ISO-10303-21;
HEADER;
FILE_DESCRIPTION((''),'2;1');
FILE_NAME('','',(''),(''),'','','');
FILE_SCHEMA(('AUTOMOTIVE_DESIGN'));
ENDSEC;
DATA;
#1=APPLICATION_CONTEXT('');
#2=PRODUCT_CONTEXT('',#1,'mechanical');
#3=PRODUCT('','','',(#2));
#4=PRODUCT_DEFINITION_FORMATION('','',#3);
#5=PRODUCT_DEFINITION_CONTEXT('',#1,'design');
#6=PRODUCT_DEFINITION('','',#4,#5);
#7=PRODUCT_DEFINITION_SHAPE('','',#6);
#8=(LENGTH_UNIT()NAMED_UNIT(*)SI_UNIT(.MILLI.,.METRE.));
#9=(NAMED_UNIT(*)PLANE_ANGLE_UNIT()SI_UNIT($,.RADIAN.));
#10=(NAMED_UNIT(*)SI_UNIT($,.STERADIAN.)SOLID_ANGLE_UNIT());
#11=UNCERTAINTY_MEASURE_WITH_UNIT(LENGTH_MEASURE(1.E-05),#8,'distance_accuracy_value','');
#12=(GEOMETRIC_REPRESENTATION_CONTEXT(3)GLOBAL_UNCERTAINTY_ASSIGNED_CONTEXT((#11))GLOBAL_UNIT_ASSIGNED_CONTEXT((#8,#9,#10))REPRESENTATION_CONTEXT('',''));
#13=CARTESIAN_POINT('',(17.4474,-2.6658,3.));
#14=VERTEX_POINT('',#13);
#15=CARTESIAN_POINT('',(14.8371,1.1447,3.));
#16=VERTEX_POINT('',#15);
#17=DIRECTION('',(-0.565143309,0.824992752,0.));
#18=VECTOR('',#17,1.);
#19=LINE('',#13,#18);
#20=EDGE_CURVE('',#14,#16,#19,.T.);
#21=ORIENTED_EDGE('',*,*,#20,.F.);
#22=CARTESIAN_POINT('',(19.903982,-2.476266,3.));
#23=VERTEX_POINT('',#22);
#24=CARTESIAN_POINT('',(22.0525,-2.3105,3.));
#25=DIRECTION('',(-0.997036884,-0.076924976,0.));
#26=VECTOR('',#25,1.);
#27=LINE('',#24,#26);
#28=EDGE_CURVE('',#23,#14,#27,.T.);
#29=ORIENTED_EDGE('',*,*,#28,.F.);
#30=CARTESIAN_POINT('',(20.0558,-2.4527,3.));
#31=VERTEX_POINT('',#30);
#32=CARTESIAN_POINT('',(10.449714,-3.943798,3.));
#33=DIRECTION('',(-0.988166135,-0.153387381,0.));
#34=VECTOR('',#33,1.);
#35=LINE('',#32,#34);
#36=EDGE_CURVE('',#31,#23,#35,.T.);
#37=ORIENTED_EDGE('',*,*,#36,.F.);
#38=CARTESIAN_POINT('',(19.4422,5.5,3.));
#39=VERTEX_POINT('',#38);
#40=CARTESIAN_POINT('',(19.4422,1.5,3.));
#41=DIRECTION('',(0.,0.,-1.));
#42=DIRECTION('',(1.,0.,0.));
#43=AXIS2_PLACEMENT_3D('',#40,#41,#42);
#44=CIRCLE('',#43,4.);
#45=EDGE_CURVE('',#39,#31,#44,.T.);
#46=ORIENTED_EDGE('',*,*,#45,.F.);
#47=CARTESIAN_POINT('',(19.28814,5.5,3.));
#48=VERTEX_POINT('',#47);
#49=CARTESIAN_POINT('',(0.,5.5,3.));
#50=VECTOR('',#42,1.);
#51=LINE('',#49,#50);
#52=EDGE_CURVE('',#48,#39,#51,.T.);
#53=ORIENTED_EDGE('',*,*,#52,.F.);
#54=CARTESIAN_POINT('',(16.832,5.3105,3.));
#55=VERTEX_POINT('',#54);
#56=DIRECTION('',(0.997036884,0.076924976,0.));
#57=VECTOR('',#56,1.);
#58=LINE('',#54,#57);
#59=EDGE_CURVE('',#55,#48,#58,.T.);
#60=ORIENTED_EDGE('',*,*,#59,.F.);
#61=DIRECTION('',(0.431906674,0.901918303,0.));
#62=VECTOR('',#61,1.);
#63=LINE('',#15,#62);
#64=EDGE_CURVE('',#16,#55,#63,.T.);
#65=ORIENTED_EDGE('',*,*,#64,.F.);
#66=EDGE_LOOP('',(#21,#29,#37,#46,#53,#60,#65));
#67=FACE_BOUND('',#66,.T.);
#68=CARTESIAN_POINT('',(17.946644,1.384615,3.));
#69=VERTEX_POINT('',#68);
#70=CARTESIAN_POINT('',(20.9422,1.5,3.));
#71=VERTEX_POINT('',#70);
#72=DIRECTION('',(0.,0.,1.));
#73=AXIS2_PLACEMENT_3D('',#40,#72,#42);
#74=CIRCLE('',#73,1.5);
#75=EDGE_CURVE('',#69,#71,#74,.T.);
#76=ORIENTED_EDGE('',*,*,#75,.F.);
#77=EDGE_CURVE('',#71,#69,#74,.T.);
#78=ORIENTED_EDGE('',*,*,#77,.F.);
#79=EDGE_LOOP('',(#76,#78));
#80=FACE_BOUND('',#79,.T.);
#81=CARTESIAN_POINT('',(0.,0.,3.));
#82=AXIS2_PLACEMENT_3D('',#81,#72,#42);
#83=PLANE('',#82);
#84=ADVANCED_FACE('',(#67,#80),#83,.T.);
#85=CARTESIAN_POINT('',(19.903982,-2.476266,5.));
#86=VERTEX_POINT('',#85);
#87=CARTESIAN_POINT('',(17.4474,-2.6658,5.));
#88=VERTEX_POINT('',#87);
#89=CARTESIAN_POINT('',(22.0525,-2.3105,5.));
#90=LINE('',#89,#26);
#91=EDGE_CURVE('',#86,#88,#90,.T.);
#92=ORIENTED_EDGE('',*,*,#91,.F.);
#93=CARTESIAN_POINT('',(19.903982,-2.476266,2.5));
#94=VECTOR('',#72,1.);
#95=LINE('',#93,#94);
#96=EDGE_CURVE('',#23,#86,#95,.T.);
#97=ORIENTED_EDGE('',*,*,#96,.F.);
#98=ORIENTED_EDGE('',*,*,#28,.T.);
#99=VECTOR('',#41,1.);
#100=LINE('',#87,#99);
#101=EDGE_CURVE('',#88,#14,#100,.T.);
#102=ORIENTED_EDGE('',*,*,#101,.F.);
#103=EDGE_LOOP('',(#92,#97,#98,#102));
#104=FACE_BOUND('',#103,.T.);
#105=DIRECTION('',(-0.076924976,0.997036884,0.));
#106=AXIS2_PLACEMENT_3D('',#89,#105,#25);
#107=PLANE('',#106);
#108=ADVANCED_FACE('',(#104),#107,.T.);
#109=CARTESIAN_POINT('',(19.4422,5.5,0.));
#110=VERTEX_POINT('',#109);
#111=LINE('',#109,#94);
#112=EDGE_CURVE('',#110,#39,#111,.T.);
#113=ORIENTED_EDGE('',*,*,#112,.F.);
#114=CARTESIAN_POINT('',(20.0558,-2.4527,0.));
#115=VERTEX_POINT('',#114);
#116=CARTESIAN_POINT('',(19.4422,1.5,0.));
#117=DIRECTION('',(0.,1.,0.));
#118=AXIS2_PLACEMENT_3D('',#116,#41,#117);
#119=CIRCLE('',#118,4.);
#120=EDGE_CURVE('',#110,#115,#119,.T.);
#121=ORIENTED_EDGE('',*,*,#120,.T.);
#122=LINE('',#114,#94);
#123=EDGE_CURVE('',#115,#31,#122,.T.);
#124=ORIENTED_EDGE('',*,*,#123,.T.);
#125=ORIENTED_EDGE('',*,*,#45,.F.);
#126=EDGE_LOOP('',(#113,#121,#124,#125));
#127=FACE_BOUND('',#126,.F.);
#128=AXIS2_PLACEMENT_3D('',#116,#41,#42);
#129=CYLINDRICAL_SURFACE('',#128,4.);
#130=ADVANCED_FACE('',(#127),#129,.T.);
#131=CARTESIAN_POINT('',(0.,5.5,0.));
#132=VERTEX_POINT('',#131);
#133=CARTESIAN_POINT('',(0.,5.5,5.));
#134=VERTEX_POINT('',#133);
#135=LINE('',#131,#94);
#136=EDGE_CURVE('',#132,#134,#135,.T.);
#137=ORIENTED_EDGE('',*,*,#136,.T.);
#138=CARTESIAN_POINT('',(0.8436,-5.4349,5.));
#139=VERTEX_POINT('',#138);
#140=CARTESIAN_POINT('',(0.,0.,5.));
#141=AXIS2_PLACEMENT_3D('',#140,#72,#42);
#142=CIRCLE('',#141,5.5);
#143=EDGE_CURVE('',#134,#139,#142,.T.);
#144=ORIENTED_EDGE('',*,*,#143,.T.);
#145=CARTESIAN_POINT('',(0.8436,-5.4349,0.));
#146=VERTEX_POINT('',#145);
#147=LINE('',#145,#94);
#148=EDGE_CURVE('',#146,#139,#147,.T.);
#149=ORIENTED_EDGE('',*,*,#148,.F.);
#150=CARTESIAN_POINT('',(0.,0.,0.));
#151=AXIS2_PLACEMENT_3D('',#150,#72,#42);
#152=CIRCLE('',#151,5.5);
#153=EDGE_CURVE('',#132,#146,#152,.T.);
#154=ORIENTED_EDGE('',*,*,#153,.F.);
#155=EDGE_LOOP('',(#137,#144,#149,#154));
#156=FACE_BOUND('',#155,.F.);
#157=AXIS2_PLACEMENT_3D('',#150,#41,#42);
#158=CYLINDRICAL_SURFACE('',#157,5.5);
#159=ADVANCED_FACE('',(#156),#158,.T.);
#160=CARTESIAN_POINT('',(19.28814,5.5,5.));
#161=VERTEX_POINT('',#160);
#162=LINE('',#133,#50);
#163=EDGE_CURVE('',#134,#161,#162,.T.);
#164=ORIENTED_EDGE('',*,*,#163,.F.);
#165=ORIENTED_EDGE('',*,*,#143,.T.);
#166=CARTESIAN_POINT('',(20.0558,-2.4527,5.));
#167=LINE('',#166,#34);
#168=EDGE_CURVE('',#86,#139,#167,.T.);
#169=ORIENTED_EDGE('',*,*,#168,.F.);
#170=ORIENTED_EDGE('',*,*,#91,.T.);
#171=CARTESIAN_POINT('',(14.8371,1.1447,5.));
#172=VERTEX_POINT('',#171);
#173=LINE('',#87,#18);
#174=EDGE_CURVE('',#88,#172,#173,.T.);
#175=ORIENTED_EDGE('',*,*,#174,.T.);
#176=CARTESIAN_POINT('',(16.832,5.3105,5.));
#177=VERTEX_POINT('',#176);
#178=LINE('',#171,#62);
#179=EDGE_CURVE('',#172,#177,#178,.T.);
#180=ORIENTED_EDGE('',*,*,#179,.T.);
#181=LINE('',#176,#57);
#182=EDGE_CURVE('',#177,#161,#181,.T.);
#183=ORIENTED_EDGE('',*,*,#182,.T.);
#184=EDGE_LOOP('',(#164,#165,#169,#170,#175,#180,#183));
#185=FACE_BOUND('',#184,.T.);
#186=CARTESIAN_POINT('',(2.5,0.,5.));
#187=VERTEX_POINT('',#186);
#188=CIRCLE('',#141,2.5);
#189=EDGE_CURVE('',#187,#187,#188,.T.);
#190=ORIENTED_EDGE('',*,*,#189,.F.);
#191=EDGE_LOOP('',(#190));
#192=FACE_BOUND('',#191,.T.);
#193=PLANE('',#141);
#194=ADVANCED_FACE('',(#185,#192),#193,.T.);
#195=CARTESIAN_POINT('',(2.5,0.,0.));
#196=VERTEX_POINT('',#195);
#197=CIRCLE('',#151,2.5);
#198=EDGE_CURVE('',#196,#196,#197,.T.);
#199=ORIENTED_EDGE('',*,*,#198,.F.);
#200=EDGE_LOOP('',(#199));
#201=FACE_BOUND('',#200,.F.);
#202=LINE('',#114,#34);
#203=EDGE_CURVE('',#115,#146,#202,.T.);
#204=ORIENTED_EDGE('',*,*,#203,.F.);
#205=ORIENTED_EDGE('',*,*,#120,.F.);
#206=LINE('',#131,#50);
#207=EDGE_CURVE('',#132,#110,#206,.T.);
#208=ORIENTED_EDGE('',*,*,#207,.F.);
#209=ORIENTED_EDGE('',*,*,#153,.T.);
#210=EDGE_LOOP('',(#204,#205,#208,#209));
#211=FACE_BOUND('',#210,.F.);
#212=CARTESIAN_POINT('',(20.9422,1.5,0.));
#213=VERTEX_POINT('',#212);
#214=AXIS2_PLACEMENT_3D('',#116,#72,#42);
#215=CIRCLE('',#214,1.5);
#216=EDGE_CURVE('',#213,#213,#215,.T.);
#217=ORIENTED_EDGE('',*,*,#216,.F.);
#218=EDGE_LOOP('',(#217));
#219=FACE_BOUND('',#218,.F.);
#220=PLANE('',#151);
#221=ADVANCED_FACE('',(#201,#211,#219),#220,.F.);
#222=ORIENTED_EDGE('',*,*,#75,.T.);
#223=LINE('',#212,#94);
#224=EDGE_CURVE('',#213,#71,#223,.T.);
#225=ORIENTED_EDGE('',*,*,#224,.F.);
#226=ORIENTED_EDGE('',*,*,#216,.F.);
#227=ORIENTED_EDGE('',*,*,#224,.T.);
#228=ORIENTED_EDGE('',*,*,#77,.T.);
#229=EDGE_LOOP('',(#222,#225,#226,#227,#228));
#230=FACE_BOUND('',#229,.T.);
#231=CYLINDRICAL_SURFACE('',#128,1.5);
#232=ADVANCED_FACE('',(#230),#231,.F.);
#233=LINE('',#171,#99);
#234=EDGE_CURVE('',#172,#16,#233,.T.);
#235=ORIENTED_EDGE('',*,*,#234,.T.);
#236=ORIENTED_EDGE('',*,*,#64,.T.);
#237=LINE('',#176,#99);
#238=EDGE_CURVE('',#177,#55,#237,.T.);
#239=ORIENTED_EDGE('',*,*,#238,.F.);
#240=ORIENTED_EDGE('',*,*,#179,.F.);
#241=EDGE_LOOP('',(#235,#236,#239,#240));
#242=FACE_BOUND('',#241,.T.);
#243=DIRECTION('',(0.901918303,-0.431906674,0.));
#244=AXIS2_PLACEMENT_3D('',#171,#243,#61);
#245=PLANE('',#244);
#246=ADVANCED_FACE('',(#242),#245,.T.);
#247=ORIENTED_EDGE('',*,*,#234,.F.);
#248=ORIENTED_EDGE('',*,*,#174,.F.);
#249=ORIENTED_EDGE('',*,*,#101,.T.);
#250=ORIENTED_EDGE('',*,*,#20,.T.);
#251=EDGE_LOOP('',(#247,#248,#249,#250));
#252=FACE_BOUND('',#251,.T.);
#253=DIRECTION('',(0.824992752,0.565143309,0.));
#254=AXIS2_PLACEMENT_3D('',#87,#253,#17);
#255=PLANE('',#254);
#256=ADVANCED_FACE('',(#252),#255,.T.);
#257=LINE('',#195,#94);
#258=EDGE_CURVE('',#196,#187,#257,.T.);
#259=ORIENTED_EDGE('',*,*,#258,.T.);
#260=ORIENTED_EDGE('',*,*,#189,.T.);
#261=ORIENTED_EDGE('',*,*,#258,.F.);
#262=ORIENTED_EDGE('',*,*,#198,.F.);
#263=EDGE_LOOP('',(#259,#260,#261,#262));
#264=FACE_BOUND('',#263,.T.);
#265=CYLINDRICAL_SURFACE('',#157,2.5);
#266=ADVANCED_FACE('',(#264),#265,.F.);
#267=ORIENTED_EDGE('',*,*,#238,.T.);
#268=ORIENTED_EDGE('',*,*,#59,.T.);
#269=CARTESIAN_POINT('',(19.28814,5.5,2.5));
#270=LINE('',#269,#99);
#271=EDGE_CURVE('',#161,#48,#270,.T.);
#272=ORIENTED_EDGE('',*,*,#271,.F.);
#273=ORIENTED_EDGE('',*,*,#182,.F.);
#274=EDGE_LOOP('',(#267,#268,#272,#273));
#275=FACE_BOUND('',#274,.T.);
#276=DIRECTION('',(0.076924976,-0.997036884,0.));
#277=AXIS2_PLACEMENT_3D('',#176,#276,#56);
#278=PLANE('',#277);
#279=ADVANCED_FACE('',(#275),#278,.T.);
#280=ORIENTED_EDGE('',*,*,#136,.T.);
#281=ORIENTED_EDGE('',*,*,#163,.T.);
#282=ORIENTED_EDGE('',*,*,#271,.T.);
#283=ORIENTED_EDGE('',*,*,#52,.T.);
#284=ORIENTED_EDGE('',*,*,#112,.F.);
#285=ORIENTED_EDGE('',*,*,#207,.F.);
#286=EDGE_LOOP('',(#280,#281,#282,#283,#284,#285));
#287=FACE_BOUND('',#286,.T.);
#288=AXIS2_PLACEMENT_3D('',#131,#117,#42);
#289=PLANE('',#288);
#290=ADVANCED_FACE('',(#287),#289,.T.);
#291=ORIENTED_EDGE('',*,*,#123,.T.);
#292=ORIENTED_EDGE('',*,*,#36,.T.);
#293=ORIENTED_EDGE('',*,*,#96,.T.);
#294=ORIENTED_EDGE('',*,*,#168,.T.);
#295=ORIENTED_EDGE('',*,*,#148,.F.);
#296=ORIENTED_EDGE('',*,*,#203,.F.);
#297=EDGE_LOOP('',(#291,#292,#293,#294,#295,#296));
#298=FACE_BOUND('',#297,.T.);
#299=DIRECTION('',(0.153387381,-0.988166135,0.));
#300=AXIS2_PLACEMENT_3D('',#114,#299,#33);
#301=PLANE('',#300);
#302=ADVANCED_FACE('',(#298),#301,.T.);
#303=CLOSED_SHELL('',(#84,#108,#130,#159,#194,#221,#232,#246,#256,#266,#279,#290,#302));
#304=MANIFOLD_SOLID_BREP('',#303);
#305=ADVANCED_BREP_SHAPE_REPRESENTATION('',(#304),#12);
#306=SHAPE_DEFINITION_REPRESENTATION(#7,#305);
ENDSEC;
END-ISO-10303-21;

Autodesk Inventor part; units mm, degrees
ref_plane "YZ Plane" through (0, 0, 0) normal (1, 0, 0) x (0, 1, 0)
ref_plane "XZ Plane" through (0, 0, 0) normal (0, 1, 0) x (-1, 0, 0)
ref_plane "XY Plane" through (0, 0, 0) normal (0, 0, 1) x (1, 0, 0)
sketch "Sketch1" plane through (0, 0, 0) normal (0, 0, 1) x (1, 0, 0)
  circle A0 centre (0, 0) radius 2.5
  circle A1 centre (0, 0) radius 5.5
  circle A2 centre (19.4422, 1.5) radius 1.5
  circle A3 centre (19.4422, 1.5) radius 4
  line L0 (0, 5.5) -> (19.4422, 5.5)
  line L1 (20.0558, -2.4527) -> (0.8436, -5.4349)
  point P0 (22.8922, -0.5243)
  dimension "d0" = 5
  dimension "d1" = 11
  dimension "d2" = 3
  dimension "d3" = 8
  dimension "d4" = 19.5
extrude "Extrusion1" add sketch "Sketch1" along normal blind 5
sketch "Sketch2" plane through (0, 0, 5) normal (0, 0, 1) x (1, 0, 0)
  circle A0 centre (19.4422, 1.5) radius 1.5 projected
  line L0 (24.0473, 1.8553) -> (22.0525, -2.3105)
  line L1 (22.0525, -2.3105) -> (17.4474, -2.6658)
  line L2 (17.4474, -2.6658) -> (14.8371, 1.1447)
  line L3 (14.8371, 1.1447) -> (16.832, 5.3105)
  line L4 (16.832, 5.3105) -> (21.4371, 5.6658)
  line L5 (21.4371, 5.6658) -> (24.0473, 1.8553)
  line L6 (0, 0) -> (19.4422, 1.5)
  dimension "d7" = 8
extrude "Extrusion2" cut sketch "Sketch2" against normal blind 2
properties part number "TA07" material "ABS Plastic"
